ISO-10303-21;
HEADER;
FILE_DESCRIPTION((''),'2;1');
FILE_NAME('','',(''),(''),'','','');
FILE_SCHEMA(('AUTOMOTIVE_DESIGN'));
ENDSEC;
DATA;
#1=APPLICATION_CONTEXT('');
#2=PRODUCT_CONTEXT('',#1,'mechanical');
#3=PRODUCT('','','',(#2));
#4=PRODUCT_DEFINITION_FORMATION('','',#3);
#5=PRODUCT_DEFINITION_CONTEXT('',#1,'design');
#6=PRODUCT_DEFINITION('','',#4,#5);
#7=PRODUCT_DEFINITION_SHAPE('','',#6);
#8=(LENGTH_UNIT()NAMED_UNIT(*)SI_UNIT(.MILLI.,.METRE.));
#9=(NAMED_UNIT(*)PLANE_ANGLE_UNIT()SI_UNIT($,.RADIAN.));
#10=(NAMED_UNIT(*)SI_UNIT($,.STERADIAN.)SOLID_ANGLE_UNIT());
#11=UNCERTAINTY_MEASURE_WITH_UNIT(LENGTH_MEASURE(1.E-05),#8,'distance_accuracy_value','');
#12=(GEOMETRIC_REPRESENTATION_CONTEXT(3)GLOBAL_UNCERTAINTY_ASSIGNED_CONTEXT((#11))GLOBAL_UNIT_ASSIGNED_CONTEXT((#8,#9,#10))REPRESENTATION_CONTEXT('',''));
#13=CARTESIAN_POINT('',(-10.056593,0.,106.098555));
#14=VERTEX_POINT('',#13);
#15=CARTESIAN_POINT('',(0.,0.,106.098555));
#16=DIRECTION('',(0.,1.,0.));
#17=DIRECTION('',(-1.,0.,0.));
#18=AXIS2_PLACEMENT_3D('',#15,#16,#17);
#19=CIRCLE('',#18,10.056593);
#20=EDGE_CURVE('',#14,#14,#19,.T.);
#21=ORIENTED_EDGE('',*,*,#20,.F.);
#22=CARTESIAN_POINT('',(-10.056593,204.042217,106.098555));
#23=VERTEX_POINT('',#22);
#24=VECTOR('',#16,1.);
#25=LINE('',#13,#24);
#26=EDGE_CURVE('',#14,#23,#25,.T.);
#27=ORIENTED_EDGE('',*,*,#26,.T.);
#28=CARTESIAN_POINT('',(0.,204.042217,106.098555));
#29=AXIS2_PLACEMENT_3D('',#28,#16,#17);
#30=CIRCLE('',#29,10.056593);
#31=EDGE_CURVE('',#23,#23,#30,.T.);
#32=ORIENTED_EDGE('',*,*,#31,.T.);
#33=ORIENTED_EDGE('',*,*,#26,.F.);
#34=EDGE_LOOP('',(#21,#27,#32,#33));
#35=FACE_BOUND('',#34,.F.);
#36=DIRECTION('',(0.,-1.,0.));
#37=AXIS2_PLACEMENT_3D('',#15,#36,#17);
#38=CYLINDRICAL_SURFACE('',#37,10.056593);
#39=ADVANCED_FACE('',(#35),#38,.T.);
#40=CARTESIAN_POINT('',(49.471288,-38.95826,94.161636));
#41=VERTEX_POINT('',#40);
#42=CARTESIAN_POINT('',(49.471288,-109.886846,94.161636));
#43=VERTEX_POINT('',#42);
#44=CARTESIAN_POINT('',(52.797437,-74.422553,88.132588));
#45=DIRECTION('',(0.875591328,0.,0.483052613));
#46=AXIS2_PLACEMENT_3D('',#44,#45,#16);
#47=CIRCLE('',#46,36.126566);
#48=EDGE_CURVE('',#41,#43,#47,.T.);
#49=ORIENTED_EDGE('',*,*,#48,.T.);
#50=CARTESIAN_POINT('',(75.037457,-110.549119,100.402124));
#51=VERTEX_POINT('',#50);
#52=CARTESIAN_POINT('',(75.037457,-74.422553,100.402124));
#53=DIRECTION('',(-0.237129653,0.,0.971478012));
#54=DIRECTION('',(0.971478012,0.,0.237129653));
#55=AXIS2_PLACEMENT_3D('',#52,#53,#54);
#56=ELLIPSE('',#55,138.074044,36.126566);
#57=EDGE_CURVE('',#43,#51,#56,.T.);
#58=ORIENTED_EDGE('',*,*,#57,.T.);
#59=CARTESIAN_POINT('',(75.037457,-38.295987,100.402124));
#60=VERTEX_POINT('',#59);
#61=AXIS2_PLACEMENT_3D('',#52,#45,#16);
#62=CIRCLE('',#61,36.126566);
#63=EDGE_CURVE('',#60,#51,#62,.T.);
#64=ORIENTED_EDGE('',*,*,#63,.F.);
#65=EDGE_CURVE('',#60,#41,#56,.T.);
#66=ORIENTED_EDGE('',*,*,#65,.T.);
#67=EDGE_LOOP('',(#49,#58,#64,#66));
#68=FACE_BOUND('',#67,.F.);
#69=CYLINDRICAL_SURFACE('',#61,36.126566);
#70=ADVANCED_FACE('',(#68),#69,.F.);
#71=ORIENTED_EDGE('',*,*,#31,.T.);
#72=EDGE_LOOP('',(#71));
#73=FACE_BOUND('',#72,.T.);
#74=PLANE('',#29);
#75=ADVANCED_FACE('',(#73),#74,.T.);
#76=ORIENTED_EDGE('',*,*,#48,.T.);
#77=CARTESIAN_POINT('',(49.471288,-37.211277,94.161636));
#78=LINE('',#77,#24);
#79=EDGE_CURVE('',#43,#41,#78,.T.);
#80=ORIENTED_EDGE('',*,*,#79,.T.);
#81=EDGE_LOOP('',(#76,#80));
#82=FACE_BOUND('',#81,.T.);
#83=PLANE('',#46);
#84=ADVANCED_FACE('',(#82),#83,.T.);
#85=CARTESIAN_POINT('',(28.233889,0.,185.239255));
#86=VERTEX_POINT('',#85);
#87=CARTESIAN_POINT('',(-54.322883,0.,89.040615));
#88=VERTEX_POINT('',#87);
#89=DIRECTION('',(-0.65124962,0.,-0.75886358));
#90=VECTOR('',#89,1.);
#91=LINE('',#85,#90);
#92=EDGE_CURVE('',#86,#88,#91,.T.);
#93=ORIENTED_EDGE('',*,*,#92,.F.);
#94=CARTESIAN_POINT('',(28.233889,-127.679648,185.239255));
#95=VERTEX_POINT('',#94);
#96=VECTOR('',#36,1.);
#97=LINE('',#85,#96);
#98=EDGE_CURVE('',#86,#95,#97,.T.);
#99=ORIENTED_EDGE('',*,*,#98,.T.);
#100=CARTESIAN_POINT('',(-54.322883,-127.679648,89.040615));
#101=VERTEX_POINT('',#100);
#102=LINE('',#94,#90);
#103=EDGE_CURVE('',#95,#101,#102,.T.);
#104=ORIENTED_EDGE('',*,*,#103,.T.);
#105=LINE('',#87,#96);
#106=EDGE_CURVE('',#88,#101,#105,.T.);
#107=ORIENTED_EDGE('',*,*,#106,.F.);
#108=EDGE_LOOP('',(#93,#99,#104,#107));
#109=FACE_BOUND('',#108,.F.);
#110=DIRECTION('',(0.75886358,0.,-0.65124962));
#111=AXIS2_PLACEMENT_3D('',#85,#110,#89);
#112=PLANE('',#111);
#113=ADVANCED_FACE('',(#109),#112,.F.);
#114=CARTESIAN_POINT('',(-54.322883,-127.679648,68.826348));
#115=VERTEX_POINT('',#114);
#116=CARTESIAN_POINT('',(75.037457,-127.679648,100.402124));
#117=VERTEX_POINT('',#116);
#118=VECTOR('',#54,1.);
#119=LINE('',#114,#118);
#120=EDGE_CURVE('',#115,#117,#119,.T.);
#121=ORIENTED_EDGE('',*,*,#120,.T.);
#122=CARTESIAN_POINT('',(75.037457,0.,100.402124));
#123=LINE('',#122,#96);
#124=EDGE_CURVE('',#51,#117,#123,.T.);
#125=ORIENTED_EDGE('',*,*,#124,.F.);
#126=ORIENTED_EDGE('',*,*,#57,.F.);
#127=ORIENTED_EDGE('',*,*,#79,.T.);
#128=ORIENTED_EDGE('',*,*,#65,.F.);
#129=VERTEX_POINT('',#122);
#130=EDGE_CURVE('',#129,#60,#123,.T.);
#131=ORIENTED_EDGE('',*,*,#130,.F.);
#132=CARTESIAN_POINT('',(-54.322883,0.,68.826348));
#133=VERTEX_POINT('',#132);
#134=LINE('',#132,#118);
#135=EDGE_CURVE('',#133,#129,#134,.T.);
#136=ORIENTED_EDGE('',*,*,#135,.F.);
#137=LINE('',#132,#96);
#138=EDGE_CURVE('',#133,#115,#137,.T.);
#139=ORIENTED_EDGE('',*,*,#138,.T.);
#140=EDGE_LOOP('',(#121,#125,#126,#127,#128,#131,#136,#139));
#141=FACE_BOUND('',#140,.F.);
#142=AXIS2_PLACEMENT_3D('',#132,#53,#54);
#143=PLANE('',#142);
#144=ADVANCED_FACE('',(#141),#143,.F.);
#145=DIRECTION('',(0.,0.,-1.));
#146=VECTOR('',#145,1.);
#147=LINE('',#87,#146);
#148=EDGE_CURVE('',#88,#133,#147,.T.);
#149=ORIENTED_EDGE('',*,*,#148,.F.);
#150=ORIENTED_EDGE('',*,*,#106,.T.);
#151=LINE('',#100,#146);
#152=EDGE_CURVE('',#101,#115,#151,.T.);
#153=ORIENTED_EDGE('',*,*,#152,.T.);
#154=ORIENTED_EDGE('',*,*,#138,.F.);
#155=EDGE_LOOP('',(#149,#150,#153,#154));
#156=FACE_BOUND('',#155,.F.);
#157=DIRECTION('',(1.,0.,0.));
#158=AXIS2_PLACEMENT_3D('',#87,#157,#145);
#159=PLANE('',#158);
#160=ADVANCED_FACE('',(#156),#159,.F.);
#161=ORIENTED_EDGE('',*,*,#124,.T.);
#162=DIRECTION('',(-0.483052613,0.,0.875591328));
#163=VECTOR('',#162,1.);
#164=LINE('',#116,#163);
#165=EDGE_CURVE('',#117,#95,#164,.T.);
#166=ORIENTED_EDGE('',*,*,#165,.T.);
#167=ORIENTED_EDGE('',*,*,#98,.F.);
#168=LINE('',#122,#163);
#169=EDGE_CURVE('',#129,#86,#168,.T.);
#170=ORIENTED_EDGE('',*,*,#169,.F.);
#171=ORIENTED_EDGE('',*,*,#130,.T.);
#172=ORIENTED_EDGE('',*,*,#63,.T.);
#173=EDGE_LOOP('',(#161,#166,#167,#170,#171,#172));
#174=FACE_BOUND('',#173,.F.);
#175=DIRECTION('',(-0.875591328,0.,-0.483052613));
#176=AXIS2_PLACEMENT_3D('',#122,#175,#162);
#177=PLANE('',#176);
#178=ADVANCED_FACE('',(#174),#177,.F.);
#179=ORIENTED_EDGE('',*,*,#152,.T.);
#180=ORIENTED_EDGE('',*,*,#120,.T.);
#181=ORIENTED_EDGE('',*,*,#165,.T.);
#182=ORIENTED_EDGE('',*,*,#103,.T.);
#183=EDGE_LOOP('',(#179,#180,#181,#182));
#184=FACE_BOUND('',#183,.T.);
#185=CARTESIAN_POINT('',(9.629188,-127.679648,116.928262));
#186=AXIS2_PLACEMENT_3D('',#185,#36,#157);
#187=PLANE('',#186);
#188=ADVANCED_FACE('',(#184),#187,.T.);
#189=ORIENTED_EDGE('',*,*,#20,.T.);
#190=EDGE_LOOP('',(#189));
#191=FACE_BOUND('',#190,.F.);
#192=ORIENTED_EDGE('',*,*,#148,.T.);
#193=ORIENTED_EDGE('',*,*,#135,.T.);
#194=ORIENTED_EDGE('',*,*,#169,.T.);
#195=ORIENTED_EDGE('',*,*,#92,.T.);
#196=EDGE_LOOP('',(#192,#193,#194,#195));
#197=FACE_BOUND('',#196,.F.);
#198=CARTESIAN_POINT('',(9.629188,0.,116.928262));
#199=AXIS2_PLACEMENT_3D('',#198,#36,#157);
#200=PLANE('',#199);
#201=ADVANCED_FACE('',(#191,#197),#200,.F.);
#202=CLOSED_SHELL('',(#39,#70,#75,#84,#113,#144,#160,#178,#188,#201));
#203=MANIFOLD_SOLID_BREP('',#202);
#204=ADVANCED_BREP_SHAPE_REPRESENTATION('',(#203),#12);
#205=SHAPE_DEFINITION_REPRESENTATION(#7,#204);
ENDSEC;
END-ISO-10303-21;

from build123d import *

# Parameters (mm, degrees)
F1_DEPTH = 127.6796478778
F2_R     = 10.0565925357
F3_DEPTH = 204.0422167629
F4_R     = 36.1265659612
F5_DEPTH = 25.4


with BuildPart() as f1:
    # F0 (on Front) → F1 (new body)
    with BuildSketch(Plane.XZ):
        Polygon((28.2338894904, 185.2392554283), (-54.3228834867, 89.0406146646), (-54.3228834867, 68.8263475895), (75.0374570489, 100.4021242261), align=None)
    extrude(amount=F1_DEPTH)

    # F2 (on face) → F3 (join)
    with BuildSketch(Plane(origin=(0, 0, 0), x_dir=(-1, 0, 0), z_dir=(0, 1, 0))):
        with Locations((0, 106.0985550284)):
            Circle(F2_R)
    extrude(amount=F3_DEPTH)

    # F4 (on face) → F5 (cut)
    with BuildSketch(Plane(origin=(99.9939788149, 0, 55.1654078419), x_dir=(0, 1, 0), z_dir=(0.8755913279, 0, 0.4830526126))):
        with Locations((-74.4225531816, 51.6641896083)):
            Circle(F4_R)
    extrude(amount=-F5_DEPTH, mode=Mode.SUBTRACT)


solid = f1.part
